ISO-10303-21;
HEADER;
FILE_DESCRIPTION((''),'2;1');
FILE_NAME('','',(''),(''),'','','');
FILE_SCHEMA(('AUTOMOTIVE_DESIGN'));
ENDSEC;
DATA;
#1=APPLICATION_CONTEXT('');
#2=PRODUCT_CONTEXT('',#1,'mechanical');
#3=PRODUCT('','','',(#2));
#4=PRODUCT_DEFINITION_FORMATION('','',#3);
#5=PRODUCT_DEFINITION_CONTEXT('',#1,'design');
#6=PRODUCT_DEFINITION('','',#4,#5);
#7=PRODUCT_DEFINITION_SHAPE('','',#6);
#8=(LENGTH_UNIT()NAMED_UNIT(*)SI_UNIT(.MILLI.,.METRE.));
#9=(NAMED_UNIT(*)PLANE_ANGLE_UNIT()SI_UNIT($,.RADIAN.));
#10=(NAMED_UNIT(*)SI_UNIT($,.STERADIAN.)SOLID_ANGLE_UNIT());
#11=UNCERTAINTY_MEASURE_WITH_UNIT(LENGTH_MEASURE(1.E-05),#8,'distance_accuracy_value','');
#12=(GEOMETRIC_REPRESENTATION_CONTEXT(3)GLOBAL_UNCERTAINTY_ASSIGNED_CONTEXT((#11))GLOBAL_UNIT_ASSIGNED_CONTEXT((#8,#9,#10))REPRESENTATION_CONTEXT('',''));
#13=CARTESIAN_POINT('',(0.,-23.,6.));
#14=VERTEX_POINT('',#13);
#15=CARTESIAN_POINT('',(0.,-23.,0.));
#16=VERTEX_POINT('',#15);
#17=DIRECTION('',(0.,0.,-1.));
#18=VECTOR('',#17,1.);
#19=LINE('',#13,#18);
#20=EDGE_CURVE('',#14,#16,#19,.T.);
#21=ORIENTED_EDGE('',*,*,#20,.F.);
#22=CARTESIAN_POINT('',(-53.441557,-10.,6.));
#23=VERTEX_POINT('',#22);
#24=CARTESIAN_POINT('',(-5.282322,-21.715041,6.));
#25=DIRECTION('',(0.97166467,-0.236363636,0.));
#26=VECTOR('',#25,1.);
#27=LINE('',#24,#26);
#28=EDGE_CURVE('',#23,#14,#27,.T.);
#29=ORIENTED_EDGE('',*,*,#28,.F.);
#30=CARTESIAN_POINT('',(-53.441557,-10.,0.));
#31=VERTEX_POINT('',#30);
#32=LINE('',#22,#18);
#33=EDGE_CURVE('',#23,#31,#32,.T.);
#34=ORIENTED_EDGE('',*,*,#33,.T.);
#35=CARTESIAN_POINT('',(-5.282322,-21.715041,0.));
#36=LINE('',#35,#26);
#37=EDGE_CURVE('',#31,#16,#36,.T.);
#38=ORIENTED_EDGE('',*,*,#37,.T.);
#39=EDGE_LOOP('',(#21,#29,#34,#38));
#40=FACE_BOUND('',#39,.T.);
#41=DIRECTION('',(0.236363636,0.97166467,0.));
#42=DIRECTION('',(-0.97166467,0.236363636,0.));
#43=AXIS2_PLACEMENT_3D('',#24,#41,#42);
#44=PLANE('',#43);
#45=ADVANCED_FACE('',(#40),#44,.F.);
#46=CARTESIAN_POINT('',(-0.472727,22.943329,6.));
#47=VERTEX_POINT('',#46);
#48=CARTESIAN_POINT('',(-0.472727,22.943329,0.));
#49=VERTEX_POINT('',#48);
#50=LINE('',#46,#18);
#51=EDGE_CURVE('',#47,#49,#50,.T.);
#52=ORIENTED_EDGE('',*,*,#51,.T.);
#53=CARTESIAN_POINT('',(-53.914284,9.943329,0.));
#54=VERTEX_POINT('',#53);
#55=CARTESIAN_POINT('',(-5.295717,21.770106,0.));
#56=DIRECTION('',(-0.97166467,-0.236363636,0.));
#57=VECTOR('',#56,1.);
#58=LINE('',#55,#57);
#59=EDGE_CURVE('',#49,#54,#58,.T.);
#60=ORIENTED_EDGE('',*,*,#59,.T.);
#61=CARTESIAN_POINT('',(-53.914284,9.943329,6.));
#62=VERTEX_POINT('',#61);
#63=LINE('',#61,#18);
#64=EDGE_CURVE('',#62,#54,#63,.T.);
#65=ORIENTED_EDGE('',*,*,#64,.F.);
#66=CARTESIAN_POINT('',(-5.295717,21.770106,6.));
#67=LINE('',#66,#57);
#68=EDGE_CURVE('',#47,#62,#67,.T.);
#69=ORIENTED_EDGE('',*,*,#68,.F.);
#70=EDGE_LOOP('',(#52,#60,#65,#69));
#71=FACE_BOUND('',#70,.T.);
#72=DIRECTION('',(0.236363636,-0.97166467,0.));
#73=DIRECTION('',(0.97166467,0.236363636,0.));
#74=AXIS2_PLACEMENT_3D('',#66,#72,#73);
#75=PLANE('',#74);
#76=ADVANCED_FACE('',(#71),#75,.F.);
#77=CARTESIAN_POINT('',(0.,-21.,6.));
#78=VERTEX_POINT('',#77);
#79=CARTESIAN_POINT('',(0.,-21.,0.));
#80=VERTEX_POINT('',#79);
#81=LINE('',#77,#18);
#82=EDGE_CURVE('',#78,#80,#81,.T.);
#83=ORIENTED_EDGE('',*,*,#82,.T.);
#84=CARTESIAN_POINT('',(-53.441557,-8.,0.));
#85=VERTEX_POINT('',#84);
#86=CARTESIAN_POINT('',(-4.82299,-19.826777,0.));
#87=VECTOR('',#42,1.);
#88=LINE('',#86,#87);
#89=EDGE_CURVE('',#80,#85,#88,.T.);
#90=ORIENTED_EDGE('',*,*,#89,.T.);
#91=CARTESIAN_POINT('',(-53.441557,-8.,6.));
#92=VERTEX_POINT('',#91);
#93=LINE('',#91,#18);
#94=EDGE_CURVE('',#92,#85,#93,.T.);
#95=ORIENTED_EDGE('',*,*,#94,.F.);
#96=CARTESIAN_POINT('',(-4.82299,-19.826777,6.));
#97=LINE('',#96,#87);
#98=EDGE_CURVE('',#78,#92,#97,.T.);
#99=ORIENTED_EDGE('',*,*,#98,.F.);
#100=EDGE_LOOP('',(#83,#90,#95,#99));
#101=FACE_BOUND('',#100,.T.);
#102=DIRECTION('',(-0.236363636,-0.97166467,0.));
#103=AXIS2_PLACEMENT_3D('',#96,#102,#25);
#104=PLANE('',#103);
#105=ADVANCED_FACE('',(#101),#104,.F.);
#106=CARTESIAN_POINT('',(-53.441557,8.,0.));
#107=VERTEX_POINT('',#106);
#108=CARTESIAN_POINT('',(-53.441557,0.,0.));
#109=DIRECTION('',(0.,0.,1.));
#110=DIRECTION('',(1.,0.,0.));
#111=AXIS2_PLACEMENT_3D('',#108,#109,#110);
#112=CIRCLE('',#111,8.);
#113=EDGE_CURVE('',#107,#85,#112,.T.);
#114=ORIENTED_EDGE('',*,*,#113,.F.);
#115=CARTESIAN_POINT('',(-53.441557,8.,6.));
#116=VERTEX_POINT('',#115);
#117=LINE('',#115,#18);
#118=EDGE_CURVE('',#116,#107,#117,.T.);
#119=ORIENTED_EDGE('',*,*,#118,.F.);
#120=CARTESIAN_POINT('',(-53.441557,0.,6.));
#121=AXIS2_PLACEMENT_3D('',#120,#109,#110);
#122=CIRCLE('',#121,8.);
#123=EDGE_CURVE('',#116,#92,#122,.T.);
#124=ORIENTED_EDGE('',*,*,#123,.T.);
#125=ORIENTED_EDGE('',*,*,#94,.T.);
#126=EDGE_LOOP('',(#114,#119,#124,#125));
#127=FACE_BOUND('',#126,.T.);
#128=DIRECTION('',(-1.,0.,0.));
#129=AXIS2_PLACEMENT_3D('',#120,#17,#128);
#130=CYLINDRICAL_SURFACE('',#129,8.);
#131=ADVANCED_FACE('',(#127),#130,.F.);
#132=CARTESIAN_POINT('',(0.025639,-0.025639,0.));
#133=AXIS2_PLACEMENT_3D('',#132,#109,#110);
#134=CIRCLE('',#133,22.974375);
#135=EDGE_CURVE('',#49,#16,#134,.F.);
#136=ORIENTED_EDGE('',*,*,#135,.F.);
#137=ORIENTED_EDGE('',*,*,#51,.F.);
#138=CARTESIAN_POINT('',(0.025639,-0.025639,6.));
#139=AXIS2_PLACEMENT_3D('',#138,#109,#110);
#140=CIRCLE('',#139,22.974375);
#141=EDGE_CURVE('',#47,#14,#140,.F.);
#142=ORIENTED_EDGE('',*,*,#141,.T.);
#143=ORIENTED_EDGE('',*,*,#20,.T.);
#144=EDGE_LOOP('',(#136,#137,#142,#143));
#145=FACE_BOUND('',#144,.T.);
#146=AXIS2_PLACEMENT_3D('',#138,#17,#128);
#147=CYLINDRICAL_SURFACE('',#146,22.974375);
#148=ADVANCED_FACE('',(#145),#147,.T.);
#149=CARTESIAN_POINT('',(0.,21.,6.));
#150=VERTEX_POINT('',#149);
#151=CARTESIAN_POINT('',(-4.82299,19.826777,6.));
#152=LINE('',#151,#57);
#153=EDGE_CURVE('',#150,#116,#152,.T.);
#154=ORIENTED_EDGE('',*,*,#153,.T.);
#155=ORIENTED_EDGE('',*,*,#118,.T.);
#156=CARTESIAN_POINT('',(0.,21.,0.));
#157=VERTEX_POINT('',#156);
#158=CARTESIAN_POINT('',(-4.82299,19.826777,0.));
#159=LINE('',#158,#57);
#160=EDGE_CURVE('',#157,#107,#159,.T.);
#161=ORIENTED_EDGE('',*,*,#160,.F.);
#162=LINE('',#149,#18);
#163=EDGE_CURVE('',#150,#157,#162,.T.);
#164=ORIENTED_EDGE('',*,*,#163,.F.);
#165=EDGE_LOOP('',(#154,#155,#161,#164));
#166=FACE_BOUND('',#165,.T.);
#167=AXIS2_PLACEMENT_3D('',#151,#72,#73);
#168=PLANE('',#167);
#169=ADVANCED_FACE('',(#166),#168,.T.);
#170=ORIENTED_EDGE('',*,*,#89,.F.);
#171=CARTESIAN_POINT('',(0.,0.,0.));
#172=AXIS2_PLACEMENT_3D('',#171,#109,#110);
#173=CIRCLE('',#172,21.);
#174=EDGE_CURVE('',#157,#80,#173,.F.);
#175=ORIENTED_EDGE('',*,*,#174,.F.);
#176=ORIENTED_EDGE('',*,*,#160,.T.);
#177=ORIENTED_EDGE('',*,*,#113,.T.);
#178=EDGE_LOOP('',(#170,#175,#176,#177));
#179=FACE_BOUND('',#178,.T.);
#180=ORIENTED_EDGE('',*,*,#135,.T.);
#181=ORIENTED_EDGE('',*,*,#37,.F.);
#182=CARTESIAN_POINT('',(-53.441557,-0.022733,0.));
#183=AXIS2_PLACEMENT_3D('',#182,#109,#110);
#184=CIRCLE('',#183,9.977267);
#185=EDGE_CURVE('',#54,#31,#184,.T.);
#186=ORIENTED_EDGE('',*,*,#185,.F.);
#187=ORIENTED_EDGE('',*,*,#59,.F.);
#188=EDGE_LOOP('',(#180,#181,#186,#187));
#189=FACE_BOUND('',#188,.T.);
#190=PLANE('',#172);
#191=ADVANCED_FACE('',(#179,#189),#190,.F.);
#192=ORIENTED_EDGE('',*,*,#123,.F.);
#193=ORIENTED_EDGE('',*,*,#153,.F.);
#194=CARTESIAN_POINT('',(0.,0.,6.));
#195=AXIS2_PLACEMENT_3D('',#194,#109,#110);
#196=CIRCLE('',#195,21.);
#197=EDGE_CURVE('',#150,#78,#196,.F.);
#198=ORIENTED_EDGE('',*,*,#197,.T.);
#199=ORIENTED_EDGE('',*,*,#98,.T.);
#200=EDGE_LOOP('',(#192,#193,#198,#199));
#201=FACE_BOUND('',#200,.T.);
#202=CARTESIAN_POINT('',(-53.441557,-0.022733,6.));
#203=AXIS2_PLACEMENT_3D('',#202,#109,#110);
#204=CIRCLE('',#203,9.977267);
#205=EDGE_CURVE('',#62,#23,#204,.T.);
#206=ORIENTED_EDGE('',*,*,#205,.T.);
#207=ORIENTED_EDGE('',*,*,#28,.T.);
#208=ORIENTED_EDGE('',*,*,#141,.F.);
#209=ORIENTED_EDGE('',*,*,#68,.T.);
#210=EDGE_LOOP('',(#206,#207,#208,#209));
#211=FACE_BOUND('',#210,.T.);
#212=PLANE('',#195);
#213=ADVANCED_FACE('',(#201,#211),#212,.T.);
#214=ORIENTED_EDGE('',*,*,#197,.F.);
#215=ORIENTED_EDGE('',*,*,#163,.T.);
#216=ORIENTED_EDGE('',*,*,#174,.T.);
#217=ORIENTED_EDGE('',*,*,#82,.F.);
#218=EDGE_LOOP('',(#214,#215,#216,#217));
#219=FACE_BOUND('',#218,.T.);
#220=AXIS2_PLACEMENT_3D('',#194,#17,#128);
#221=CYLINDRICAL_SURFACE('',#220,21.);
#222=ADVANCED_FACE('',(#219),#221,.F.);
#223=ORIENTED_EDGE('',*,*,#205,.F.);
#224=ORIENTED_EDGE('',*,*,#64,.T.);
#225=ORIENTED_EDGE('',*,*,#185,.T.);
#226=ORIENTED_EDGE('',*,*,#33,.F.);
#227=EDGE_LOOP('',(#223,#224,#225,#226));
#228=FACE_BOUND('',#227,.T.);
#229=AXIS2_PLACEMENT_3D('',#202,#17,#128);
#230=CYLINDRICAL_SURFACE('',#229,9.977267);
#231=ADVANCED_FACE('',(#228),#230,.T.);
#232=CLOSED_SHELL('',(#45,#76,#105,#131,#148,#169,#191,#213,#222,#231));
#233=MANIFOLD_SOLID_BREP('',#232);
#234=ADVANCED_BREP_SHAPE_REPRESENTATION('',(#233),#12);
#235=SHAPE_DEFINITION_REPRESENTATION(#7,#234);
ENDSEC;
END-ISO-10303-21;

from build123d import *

# Parameters (mm, degrees)
BOSS_EXTRUDE1_DEPTH = 6


with BuildPart() as part:
    # Sketch1 → Boss-Extrude1 (new body)
    with BuildSketch(Plane.XY):
        with BuildLine():
            Line((-0.472727273, 22.94332934), (-53.914284136, 9.94332934))
            ThreePointArc((-53.914284136, 9.94332934), (-63.416022466, -0.259162706), (-53.441556864, -10))
            Line((-53.441556864, -10), (0, -23))
            ThreePointArc((0, -23), (22.998798245, 0.210739523), (-0.472727273, 22.94332934))
        make_face()
        with BuildLine():
            Line((0, 21), (-53.441556864, 8))
            ThreePointArc((-53.441556864, 8), (-61.441556864, 0), (-53.441556864, -8))
            Line((-53.441556864, -8), (0, -21))
            ThreePointArc((0, -21), (21, 0), (0, 21))
        make_face(mode=Mode.SUBTRACT)
    extrude(amount=BOSS_EXTRUDE1_DEPTH)


solid = part.part
